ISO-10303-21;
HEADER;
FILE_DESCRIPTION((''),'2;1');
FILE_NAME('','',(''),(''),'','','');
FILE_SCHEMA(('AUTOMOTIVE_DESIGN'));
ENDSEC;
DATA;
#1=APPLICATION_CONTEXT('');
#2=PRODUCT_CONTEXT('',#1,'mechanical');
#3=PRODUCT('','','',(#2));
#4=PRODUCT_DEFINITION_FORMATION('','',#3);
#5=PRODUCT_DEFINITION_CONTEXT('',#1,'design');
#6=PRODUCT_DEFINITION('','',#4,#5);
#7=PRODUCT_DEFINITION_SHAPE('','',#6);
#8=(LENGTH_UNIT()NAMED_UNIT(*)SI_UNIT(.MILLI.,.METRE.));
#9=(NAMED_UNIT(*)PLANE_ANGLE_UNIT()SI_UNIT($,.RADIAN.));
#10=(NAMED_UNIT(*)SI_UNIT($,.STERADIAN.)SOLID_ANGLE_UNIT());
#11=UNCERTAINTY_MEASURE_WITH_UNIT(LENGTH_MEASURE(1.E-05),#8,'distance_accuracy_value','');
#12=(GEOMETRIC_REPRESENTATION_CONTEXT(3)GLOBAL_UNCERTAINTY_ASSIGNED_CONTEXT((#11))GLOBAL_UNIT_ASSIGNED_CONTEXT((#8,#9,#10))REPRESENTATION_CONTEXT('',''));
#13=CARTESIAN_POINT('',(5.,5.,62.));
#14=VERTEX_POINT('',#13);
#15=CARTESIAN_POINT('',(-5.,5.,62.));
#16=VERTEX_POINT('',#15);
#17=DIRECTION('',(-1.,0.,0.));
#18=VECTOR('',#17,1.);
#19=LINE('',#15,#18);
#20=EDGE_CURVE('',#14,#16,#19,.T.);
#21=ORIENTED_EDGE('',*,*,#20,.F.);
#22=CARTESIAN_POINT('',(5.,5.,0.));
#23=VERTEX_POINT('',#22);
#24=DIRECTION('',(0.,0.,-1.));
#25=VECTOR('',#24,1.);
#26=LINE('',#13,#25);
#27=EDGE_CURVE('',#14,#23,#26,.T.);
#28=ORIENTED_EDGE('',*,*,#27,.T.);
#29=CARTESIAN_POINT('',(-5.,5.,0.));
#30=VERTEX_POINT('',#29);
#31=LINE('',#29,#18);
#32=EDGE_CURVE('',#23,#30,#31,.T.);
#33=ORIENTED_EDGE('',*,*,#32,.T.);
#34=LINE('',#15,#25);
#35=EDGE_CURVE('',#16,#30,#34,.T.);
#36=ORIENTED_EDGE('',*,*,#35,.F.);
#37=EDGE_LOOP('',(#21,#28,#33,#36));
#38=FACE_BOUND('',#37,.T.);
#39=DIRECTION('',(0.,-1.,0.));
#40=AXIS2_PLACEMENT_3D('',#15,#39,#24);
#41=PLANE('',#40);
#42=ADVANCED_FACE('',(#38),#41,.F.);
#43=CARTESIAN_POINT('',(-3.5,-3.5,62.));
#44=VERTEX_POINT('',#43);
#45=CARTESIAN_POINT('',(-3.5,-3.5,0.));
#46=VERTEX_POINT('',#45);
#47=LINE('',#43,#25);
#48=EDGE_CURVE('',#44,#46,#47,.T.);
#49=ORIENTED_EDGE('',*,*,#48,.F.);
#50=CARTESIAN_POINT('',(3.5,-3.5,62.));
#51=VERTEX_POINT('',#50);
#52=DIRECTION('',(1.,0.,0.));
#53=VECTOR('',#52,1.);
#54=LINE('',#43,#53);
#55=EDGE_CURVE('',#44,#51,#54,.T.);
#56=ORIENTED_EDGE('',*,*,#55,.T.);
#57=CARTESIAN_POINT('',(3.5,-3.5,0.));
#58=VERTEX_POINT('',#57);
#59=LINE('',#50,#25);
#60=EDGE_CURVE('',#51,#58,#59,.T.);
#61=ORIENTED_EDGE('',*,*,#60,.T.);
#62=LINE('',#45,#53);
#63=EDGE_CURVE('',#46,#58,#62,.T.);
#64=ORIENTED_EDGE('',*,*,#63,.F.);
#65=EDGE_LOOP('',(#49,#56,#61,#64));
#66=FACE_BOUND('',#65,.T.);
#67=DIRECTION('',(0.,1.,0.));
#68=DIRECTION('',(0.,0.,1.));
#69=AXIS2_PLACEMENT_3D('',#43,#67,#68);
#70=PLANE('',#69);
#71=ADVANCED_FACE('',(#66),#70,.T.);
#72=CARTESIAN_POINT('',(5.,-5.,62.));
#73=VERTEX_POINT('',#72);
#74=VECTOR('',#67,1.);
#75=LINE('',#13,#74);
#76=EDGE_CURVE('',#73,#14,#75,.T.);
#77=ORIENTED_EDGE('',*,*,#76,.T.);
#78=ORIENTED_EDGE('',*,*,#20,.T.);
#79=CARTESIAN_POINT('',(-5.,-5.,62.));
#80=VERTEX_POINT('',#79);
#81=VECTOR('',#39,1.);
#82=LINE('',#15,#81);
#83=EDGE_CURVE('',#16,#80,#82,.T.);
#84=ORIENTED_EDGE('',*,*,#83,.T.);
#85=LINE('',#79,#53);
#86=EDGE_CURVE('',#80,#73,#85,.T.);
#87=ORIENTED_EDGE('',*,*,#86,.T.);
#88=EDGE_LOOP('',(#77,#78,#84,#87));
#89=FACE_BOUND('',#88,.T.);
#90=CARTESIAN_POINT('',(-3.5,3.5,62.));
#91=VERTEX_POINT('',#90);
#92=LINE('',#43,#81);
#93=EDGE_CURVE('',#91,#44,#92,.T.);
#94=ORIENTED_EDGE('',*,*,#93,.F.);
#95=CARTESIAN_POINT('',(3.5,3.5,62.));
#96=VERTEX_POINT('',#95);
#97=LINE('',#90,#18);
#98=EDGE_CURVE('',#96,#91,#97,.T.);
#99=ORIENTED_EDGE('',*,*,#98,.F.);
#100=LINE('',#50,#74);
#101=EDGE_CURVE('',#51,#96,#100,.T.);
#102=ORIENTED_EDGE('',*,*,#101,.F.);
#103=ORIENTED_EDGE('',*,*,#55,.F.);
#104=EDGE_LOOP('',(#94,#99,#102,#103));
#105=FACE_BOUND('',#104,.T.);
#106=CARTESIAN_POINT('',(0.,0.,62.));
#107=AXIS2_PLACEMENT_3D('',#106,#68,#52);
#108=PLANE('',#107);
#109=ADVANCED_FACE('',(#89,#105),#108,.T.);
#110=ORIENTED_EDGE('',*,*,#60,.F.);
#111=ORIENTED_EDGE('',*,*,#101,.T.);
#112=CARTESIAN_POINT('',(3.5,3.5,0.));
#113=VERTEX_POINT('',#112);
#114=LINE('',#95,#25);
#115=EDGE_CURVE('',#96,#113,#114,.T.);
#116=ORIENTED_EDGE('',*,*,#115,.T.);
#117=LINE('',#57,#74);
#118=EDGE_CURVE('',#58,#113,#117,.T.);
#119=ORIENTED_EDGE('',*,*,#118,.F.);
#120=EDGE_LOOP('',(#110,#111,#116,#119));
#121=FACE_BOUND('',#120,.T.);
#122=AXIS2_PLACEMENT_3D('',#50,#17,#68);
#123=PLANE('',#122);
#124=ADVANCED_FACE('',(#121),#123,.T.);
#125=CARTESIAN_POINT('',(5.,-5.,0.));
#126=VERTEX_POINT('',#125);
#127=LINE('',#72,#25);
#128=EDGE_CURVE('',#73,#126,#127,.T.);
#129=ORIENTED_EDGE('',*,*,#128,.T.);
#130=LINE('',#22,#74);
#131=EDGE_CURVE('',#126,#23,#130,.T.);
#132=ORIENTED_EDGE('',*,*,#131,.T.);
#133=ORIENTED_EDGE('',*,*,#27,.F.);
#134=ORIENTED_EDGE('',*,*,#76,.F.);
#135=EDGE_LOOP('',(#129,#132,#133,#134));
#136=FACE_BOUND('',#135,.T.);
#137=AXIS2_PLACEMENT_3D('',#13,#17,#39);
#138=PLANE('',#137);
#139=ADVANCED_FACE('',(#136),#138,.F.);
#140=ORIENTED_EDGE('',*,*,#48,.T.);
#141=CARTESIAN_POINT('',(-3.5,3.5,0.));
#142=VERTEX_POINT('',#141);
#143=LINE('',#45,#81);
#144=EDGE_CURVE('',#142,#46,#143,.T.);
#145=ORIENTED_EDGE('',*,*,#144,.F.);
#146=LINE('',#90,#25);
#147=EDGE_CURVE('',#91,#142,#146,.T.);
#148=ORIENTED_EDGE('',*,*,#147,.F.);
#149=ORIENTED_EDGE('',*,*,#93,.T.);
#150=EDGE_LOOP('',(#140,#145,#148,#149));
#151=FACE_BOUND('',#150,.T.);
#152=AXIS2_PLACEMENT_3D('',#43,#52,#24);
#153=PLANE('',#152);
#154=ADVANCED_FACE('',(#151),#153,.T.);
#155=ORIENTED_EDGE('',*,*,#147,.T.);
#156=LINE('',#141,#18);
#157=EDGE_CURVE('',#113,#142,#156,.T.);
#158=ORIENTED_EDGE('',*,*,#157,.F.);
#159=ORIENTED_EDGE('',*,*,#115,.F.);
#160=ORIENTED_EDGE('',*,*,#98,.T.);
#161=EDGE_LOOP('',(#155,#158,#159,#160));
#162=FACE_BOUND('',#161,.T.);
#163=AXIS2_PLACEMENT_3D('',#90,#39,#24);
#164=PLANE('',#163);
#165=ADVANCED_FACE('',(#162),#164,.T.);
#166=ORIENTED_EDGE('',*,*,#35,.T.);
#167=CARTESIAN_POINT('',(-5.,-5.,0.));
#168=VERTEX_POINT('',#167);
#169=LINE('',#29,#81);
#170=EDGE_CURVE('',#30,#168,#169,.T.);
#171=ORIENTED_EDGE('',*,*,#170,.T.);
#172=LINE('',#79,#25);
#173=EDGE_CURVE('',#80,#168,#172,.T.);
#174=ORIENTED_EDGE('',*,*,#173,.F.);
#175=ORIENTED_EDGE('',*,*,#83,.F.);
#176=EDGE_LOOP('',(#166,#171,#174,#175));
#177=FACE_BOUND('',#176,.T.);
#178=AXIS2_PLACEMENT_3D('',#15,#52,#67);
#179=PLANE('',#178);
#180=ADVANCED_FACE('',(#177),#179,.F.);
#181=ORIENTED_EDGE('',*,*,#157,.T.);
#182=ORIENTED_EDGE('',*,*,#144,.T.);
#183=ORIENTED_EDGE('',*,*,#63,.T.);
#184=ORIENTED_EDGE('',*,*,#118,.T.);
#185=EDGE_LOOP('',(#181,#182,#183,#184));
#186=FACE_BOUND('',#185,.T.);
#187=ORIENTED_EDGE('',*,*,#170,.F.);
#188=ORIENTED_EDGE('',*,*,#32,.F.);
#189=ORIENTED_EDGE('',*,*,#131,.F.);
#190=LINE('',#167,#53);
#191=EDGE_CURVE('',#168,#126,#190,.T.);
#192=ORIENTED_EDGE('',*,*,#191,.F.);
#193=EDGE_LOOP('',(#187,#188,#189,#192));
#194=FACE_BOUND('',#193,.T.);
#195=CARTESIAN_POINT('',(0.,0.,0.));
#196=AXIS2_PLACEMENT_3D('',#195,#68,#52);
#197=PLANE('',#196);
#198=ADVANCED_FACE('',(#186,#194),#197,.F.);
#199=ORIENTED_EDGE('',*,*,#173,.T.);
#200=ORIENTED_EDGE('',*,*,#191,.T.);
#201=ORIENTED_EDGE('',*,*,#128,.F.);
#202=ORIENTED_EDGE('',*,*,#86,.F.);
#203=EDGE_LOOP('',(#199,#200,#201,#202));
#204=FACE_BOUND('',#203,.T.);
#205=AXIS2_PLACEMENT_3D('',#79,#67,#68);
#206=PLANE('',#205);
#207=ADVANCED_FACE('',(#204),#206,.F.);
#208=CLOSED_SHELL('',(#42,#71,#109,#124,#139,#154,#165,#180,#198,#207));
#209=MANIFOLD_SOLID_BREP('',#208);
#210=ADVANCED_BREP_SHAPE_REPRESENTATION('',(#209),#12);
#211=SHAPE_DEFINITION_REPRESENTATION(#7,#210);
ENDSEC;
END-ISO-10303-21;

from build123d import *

# Parameters (mm, degrees)
SKETCH1_W           = 10
SKETCH1_H           = 10
SKETCH1_W_2         = 7
SKETCH1_H_2         = 7
BOSS_EXTRUDE1_DEPTH = 62


with BuildPart() as part:
    # Sketch1 → Boss-Extrude1 (new body)
    with BuildSketch(Plane.XY):
        Rectangle(SKETCH1_W, SKETCH1_H)
        Rectangle(SKETCH1_W_2, SKETCH1_H_2, mode=Mode.SUBTRACT)
    extrude(amount=BOSS_EXTRUDE1_DEPTH)


solid = part.part
